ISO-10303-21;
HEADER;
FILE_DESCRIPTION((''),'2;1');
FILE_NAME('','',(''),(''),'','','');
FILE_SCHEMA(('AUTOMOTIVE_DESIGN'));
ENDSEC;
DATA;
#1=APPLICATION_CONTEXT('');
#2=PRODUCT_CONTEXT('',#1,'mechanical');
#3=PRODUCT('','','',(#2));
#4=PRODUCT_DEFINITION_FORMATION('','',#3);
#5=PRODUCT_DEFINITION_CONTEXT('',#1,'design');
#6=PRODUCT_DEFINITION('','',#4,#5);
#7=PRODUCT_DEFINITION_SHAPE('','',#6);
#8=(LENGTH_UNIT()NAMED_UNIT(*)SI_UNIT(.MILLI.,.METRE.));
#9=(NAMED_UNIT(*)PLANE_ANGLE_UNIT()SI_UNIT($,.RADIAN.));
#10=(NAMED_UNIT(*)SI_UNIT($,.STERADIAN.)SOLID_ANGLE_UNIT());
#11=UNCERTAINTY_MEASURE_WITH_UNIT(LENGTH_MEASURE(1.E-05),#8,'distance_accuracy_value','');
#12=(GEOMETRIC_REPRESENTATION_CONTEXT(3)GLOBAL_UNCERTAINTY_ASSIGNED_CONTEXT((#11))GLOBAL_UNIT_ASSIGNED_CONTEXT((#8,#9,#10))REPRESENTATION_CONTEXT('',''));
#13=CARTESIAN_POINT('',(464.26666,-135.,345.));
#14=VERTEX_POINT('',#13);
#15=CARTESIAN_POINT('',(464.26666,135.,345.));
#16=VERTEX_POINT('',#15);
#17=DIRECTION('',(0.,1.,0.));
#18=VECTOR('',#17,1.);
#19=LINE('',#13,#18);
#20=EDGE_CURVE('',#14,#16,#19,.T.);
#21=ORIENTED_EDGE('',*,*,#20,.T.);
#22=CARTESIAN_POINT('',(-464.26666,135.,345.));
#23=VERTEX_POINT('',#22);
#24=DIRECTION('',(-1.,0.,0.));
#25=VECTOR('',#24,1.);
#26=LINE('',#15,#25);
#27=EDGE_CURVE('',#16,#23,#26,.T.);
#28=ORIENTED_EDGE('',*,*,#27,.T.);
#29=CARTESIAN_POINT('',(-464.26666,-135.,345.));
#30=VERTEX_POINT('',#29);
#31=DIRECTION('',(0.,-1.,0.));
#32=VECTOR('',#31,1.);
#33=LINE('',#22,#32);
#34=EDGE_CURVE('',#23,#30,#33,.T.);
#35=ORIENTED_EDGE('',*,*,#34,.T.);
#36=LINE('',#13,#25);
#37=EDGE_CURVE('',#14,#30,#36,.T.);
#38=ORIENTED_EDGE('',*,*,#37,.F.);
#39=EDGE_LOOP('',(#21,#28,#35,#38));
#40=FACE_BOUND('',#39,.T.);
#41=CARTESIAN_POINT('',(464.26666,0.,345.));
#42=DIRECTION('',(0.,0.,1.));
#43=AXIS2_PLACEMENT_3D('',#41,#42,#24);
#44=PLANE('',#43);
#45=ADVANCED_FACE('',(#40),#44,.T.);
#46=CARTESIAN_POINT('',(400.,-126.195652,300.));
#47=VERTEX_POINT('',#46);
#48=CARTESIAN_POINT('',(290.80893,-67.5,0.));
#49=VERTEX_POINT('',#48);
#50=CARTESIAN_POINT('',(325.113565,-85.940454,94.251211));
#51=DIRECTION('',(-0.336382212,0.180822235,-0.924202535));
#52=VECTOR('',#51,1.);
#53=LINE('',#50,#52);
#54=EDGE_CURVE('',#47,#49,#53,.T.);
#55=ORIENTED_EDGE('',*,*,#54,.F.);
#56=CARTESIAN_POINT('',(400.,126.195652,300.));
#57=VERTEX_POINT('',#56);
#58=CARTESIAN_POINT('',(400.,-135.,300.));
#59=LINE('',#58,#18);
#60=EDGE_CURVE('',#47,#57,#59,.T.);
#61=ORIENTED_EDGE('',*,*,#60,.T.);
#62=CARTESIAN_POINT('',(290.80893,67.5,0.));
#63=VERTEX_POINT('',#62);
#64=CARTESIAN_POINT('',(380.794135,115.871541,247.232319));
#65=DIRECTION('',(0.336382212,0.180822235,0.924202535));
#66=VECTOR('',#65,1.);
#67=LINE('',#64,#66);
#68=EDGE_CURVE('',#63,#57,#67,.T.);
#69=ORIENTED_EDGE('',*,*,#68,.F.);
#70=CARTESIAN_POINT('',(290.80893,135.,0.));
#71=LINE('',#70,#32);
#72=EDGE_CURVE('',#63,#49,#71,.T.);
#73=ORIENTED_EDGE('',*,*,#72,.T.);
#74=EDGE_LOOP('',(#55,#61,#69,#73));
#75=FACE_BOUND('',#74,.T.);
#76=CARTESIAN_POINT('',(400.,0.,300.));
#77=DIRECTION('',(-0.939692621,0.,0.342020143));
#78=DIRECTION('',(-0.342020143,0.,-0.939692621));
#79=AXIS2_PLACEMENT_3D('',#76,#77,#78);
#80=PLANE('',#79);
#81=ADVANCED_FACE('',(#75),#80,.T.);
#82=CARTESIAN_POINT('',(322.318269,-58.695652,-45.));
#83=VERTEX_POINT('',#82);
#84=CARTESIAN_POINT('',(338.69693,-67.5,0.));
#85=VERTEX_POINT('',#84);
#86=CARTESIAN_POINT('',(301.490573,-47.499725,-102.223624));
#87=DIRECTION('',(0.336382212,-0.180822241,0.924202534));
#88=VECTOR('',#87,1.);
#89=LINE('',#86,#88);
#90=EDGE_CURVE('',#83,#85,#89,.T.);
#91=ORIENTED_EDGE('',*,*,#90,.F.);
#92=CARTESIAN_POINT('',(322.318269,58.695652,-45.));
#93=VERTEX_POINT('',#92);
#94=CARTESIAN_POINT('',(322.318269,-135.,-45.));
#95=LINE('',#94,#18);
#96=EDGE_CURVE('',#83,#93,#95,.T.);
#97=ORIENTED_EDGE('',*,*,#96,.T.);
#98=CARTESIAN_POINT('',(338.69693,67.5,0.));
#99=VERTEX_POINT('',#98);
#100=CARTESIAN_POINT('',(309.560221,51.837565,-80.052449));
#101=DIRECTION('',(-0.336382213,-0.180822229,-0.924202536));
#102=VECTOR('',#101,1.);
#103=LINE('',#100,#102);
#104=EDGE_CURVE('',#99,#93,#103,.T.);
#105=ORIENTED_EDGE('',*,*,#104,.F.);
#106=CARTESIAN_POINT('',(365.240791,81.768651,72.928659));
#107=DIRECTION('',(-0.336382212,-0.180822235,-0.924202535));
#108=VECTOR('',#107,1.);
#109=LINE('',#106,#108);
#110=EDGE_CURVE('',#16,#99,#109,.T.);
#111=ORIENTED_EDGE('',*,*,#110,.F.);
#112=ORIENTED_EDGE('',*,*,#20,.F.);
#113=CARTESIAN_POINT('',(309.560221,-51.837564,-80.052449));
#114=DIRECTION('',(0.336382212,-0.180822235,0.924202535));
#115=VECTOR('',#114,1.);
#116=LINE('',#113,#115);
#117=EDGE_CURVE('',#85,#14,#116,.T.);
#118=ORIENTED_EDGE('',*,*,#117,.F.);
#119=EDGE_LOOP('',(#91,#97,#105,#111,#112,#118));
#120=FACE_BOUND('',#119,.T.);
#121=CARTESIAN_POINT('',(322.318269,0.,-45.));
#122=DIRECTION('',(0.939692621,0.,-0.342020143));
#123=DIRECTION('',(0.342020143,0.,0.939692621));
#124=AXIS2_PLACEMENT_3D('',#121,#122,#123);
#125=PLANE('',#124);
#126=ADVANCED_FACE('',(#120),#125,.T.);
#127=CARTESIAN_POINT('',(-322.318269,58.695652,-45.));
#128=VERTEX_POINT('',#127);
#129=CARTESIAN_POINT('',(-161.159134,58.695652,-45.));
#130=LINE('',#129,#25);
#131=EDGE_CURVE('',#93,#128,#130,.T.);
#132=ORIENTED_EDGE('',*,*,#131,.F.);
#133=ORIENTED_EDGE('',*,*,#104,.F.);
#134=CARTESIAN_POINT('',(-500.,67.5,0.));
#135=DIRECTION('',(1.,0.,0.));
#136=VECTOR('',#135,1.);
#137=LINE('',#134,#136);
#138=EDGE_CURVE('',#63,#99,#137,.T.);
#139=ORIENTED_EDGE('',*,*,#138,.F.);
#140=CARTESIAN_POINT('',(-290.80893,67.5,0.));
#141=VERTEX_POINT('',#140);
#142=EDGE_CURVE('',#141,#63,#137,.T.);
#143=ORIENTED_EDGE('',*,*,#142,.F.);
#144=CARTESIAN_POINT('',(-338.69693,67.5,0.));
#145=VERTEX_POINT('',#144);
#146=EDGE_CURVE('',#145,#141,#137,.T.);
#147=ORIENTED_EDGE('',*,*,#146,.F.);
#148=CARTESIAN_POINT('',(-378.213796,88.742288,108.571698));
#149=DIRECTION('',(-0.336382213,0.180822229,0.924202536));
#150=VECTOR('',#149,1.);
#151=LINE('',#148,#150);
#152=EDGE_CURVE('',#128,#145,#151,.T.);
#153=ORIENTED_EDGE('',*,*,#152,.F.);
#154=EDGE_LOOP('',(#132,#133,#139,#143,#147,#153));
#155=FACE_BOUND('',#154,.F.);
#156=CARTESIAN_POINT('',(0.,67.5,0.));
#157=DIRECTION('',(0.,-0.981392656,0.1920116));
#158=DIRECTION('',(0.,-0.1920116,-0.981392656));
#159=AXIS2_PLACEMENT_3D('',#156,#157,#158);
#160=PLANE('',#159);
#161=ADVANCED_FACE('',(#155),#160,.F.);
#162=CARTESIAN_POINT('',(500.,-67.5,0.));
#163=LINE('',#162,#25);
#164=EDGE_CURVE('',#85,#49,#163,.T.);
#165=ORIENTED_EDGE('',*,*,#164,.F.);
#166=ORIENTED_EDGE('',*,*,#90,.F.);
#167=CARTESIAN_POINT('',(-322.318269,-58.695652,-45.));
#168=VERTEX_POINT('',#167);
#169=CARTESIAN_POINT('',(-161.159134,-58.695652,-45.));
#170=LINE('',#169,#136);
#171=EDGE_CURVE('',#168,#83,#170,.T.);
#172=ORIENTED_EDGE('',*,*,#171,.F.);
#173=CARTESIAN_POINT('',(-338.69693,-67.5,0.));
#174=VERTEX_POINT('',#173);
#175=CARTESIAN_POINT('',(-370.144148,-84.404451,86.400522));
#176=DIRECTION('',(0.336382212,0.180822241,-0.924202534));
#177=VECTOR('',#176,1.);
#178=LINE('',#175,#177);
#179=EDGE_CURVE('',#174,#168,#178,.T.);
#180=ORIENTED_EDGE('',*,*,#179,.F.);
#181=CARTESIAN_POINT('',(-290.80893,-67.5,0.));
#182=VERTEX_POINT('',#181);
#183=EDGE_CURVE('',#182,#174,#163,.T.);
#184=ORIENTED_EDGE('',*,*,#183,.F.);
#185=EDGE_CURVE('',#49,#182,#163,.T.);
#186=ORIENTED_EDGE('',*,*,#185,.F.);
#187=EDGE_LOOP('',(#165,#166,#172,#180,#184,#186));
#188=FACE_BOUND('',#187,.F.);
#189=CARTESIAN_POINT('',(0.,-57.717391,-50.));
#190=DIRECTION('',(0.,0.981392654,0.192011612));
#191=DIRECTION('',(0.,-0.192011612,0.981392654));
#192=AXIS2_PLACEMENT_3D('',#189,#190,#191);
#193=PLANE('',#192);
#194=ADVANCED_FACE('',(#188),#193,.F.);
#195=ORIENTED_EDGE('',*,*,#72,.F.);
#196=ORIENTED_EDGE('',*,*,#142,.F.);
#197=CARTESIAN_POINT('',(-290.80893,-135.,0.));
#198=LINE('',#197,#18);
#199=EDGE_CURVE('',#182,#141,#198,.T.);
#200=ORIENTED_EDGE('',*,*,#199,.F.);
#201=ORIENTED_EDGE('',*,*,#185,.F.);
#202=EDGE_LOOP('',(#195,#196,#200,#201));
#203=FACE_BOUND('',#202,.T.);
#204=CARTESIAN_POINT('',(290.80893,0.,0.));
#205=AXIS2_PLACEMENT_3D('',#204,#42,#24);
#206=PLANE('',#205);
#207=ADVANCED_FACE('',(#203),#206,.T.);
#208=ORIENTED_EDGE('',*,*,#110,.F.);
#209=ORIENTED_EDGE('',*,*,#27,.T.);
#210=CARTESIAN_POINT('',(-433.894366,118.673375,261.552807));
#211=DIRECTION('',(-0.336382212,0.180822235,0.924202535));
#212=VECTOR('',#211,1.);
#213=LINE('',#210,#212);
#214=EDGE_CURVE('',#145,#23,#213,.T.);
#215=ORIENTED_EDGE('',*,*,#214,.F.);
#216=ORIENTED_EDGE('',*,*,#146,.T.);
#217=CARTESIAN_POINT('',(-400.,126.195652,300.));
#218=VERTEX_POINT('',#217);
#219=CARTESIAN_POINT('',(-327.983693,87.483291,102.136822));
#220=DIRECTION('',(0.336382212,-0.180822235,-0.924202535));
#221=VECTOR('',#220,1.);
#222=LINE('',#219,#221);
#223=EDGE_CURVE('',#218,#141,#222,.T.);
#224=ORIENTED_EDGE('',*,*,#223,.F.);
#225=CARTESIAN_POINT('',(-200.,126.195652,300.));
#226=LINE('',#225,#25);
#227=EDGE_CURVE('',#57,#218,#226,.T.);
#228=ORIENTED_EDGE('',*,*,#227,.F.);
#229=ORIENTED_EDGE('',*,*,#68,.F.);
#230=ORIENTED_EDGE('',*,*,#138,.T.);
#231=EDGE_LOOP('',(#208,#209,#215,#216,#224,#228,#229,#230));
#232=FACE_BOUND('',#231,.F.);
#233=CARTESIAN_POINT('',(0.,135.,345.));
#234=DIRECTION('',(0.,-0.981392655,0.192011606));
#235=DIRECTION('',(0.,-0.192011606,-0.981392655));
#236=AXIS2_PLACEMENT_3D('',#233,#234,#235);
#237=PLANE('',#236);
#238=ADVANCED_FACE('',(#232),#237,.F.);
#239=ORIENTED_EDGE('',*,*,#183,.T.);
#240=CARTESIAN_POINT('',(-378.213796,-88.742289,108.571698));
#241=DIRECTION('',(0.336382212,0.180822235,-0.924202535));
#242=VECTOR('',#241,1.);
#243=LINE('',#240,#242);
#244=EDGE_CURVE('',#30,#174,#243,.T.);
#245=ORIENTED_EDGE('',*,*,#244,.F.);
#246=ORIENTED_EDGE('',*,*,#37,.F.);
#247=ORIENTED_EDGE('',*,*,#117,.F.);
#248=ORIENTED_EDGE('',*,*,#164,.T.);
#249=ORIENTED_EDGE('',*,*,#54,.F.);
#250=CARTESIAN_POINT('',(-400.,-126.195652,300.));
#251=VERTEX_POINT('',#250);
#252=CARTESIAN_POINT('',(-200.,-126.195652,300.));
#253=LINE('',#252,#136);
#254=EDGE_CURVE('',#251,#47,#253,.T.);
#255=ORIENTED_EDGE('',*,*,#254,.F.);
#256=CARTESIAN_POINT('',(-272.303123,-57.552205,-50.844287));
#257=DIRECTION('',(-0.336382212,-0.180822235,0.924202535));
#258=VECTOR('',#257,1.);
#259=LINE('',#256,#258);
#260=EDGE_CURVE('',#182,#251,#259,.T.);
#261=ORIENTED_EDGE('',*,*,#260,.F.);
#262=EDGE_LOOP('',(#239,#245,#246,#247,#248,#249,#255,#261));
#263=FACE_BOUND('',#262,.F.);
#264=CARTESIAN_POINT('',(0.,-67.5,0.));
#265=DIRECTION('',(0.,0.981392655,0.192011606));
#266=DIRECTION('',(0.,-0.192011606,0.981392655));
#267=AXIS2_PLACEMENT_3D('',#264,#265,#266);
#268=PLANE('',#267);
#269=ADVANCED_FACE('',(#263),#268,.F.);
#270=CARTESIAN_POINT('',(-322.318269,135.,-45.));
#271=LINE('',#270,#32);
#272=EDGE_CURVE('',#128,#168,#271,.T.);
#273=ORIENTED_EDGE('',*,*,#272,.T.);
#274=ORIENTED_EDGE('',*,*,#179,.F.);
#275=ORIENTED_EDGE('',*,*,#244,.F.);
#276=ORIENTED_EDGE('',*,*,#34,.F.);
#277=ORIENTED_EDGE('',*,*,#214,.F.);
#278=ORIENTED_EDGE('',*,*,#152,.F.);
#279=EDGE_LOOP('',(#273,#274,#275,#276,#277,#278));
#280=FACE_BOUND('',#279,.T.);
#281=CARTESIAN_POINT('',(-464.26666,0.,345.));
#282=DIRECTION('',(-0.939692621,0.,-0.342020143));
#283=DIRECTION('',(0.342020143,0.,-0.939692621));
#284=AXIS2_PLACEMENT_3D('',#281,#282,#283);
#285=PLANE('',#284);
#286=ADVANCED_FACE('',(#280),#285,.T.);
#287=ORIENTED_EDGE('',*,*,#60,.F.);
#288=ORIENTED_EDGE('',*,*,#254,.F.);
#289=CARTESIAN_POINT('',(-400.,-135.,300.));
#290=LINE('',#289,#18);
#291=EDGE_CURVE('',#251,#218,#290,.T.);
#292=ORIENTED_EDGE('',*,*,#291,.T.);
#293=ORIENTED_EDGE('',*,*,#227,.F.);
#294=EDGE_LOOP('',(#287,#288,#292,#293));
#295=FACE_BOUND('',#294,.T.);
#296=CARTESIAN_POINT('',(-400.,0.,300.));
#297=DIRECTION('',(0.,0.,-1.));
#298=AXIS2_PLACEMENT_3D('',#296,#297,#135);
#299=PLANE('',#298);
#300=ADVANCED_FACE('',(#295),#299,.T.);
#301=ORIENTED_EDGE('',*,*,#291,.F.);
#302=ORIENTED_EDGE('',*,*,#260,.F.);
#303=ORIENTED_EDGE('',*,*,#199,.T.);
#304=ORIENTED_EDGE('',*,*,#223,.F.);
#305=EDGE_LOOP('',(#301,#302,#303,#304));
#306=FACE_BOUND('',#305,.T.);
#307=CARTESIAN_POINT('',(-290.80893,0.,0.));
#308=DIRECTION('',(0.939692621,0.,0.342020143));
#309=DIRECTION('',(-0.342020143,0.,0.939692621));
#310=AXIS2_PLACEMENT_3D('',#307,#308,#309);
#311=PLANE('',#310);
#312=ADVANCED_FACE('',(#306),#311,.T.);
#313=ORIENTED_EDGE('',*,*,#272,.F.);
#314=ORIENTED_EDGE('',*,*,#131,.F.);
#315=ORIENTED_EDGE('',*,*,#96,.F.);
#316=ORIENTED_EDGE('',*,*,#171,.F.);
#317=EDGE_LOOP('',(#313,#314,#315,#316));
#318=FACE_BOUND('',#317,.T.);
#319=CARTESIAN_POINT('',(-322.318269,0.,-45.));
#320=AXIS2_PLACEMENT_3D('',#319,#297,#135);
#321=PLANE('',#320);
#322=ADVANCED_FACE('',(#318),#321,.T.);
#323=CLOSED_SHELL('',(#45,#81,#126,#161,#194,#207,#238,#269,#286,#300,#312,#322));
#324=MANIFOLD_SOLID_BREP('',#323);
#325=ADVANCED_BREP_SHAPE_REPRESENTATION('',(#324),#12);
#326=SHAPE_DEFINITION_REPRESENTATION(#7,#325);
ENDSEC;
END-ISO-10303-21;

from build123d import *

# Parameters (mm, degrees)
F1_DEPTH = 135
F3_DEPTH = 500


with BuildPart() as f1:
    # F0 (on Front) → F1 (new body, symmetric)
    with BuildSketch(Plane.XZ):
        Polygon((464.26666, 345), (-464.26666, 345), (-322.318269, -45), (322.318269, -45), align=None)
        Polygon((290.80893, 0), (-290.80893, 0), (-400, 300), (400, 300), align=None, mode=Mode.SUBTRACT)
    extrude(amount=F1_DEPTH, both=True)

    # F2 (on Right) → F3 (cut, symmetric)
    with BuildSketch(Plane.YZ):
        Polygon((-67.5, 0), (-135, 345), (135, 345), (67.5, 0), (56.686841, -55.267259), (427.661182, -55.267259), (427.661182, 496.46467), (-274.209738, 496.46467), (-274.209738, -50), (-57.717391, -50), align=None)
    extrude(amount=F3_DEPTH, both=True, mode=Mode.SUBTRACT)


solid = f1.part
